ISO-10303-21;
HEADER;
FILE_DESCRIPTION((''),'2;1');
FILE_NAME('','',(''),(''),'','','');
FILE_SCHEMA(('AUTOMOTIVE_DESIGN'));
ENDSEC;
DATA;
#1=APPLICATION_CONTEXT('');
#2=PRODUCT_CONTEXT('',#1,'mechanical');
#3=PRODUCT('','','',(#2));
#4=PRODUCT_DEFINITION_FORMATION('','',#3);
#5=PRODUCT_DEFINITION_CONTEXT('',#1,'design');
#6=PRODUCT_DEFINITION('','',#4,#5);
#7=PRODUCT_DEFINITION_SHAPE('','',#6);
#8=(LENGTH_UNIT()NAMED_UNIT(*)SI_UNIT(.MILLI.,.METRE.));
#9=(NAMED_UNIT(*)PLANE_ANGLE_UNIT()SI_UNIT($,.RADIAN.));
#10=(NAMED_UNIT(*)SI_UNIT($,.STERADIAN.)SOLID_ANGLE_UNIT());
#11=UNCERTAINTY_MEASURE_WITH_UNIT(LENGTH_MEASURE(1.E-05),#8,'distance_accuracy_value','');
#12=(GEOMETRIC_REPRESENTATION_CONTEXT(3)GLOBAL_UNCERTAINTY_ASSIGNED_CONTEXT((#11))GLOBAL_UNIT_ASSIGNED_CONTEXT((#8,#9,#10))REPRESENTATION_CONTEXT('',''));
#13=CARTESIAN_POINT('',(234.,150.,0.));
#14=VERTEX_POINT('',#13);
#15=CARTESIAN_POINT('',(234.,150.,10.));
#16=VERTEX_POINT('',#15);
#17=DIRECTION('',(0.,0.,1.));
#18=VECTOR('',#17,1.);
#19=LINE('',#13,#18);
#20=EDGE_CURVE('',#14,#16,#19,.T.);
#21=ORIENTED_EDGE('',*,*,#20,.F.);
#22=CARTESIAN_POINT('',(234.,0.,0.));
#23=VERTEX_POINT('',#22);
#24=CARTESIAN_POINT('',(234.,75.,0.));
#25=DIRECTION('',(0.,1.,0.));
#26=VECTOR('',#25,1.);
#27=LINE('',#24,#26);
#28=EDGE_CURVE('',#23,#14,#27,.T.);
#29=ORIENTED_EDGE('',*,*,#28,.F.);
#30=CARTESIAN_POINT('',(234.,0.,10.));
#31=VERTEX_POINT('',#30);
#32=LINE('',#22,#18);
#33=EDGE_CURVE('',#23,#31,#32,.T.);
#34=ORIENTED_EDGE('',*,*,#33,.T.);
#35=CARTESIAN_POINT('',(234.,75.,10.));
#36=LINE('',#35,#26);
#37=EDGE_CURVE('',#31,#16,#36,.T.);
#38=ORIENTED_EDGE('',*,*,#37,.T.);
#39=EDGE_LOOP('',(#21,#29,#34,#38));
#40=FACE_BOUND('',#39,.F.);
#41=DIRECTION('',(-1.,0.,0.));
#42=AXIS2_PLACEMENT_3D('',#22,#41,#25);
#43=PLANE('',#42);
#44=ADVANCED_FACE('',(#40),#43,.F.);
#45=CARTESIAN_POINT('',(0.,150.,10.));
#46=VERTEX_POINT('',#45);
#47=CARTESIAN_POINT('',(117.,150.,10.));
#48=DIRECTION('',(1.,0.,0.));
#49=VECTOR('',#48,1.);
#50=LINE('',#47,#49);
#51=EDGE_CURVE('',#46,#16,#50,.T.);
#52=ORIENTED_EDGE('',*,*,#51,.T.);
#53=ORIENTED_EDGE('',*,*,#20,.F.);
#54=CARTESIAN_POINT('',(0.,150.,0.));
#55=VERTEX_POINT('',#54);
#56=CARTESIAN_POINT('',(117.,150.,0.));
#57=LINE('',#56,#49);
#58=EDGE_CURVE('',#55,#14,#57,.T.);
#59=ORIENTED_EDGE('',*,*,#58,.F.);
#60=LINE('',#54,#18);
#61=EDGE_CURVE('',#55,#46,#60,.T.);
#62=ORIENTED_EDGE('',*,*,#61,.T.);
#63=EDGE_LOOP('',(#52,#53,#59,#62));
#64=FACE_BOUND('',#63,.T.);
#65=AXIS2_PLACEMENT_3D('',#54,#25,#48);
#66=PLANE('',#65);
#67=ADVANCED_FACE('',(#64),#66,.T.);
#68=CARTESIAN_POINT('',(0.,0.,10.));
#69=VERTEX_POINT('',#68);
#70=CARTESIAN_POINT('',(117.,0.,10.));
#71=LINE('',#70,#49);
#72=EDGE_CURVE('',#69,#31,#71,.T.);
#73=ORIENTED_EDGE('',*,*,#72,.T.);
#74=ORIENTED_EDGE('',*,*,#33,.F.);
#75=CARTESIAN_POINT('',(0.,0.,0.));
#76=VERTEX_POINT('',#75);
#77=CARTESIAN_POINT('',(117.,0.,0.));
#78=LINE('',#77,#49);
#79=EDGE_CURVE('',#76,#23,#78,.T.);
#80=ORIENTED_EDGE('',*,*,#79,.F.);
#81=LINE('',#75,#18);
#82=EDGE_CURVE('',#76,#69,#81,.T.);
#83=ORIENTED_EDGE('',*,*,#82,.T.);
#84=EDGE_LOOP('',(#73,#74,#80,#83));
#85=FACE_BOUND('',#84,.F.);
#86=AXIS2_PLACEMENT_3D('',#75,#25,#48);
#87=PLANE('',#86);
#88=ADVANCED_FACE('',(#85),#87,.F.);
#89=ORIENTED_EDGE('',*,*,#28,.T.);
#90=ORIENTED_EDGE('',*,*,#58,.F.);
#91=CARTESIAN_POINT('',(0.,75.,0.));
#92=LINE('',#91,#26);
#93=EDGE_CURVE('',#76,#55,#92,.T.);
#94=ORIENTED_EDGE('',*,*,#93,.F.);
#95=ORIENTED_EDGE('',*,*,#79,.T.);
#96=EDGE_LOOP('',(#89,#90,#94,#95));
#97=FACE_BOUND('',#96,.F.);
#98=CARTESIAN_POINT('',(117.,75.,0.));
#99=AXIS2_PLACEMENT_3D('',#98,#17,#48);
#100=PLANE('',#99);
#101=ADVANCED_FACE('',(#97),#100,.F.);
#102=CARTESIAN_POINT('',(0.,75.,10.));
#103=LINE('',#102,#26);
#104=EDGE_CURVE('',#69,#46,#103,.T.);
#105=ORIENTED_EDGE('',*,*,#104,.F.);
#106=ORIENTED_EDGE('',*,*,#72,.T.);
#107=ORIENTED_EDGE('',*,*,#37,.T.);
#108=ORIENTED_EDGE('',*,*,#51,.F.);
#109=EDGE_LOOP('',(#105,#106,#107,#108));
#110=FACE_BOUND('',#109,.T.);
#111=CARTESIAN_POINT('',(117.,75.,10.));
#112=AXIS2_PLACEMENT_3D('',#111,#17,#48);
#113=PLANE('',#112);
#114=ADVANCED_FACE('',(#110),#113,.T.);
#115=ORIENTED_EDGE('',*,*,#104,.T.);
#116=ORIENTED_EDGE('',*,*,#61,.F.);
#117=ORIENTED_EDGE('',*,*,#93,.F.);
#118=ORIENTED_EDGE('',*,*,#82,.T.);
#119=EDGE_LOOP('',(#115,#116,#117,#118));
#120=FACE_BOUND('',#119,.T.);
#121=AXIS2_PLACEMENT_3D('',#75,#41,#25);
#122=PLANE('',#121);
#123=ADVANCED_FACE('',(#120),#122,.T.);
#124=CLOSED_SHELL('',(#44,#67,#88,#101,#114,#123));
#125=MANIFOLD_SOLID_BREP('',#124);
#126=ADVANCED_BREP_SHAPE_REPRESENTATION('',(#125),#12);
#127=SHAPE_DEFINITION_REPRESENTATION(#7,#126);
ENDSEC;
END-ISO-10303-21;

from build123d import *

# Parameters (mm, degrees)
SKETCH_W  = 234
SKETCH_H  = 150
PAD_DEPTH = 10


with BuildPart() as part:
    # Sketch → Pad (new body)
    with BuildSketch(Plane.XY):
        with Locations((117, 75)):
            Rectangle(SKETCH_W, SKETCH_H)
    extrude(amount=PAD_DEPTH)


solid = part.part
